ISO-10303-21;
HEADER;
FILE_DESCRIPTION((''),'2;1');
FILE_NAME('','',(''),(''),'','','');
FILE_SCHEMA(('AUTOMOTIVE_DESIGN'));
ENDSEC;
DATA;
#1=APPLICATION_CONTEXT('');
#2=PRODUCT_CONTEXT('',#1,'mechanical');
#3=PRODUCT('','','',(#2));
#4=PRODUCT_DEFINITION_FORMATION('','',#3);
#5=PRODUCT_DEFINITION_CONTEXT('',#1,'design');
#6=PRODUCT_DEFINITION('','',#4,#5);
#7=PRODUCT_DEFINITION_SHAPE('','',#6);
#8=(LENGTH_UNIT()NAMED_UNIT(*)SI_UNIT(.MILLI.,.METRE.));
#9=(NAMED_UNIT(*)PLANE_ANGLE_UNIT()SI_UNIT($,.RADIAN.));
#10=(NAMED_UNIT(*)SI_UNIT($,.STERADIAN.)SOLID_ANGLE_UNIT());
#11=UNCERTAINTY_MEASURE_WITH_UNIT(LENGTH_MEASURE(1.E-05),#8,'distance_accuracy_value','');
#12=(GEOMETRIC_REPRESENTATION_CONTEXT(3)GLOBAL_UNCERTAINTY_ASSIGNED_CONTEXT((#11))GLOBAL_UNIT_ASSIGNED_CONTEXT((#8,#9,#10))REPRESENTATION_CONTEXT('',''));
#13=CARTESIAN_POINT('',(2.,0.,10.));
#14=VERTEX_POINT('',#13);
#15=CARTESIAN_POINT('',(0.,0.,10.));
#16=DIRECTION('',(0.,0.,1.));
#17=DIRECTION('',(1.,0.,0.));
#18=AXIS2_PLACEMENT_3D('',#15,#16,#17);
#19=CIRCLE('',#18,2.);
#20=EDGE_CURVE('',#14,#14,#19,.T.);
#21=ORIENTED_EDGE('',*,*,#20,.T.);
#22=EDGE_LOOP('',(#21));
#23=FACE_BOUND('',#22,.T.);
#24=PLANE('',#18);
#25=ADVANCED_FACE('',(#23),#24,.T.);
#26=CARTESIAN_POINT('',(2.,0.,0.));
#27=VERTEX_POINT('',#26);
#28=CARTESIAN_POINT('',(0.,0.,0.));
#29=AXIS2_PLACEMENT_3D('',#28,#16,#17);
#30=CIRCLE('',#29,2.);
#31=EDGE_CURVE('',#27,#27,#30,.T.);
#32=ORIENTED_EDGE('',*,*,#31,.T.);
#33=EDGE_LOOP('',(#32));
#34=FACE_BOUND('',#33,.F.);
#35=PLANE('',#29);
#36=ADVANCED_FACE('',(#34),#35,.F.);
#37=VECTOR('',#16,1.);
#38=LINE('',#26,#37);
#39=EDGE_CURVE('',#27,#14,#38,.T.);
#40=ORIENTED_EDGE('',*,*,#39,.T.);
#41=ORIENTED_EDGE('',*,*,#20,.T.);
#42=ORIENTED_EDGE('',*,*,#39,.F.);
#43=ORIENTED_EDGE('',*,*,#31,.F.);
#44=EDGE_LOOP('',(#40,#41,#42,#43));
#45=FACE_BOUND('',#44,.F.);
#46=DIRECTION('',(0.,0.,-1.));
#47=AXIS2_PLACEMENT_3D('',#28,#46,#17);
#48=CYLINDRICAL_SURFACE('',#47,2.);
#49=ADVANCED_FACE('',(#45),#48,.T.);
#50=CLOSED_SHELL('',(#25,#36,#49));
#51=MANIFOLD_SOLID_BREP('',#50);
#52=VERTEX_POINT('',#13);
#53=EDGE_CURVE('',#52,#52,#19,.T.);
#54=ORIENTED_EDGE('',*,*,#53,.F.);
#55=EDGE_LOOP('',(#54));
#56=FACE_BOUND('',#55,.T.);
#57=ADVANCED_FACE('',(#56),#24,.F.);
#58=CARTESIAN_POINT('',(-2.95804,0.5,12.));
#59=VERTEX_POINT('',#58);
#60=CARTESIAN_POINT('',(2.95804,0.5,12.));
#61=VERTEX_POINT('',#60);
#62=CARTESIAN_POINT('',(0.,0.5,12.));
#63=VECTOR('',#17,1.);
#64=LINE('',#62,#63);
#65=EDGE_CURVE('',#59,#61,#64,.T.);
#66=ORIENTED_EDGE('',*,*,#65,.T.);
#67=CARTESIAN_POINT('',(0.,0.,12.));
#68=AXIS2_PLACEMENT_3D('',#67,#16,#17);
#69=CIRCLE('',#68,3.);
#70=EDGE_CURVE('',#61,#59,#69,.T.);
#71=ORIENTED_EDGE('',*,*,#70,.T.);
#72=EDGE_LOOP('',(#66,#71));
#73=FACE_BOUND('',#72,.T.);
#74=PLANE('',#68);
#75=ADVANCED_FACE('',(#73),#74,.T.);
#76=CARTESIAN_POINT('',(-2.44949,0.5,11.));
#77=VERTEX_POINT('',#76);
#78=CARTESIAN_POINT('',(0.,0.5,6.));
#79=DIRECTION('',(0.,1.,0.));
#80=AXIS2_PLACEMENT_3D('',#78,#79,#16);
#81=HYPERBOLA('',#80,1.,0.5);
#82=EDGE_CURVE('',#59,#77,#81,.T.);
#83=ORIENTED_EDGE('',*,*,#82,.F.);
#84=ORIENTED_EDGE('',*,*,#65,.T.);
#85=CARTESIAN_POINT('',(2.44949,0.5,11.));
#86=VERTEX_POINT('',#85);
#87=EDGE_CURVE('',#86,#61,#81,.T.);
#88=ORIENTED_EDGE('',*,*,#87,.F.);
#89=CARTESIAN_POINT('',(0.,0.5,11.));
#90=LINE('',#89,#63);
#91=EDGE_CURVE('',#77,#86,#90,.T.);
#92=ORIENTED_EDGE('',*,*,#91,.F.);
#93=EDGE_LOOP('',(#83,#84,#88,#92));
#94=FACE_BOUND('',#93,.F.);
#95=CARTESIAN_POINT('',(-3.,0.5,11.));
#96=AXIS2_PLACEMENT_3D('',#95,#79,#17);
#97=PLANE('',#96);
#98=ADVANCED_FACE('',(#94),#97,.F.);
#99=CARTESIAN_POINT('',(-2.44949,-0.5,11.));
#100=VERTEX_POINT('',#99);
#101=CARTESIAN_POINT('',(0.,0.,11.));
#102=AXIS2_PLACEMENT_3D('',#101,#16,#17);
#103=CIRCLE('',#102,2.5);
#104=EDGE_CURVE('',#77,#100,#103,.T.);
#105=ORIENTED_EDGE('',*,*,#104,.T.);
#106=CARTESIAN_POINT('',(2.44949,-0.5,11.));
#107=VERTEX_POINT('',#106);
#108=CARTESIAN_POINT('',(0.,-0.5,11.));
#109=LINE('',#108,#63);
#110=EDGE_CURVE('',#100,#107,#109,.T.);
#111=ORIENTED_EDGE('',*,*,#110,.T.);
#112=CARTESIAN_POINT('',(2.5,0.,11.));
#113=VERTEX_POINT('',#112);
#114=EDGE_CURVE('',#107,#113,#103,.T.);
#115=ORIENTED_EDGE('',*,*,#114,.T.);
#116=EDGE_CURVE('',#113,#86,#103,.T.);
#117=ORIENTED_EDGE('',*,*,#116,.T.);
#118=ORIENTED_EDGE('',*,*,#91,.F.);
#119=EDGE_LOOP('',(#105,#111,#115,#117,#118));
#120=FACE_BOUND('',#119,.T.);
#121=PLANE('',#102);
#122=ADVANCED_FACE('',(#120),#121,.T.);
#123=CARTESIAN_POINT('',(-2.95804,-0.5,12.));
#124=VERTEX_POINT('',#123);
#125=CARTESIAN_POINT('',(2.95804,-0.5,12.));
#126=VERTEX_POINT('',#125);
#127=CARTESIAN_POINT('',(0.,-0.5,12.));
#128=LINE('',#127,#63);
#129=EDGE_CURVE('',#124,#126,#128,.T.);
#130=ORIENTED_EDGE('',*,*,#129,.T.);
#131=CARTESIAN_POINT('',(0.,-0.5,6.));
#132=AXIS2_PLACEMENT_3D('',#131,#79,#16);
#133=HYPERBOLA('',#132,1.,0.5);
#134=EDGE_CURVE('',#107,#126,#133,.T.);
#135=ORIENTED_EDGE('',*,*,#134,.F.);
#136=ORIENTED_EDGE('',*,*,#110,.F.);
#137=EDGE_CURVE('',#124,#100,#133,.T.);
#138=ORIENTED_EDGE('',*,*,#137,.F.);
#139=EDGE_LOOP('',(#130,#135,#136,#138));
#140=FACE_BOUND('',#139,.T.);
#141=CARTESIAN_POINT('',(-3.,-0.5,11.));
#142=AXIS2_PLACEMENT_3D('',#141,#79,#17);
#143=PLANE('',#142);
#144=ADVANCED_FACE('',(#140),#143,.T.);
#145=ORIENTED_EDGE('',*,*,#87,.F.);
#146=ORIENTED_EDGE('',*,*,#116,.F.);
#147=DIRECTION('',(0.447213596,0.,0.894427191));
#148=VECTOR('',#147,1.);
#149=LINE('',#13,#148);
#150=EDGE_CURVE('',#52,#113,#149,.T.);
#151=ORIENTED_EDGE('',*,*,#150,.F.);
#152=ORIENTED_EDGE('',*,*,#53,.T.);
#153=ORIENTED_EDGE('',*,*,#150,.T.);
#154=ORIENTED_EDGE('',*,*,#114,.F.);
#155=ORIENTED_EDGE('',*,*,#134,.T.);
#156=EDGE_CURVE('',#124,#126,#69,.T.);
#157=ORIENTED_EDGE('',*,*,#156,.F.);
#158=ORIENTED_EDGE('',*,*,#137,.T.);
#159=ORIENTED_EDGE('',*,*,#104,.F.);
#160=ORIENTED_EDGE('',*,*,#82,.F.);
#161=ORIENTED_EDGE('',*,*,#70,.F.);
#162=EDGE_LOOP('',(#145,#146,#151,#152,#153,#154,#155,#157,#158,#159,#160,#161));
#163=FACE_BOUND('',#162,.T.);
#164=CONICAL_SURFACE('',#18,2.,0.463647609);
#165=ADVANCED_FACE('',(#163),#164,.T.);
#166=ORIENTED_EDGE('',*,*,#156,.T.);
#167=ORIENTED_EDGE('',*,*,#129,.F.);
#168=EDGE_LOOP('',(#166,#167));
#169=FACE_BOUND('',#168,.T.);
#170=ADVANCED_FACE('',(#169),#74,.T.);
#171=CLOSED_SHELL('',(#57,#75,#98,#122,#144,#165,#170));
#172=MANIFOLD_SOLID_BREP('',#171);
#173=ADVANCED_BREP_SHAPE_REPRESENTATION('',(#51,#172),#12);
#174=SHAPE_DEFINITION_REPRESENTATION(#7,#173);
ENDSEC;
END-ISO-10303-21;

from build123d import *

# Parameters (mm, degrees)
CYLINDER_R     = 2
CYLINDER_DEPTH = 10
BOX_W          = 6
BOX_H          = 1
BOX_DEPTH      = 1


with BuildPart() as cylinder:
    # Cylinder → Cylinder (new body)
    with BuildSketch(Plane.XY):
        Circle(CYLINDER_R)
    extrude(amount=CYLINDER_DEPTH)


with BuildPart() as cube:
    # Box → Box (new body)
    with BuildSketch(Plane(origin=(-3, -0.5, 11), x_dir=(1, 0, 0), z_dir=(0, 0, 1))):
        with Locations((3, 0.5)):
            Rectangle(BOX_W, BOX_H)
    extrude(amount=BOX_DEPTH)


with BuildPart() as cut:
    # Cone → Cone (revolve)
    with BuildSketch(Plane(origin=(0, 0, 10), x_dir=(1, 0, 0), z_dir=(0, -1, 0))):
        Polygon((0, 0), (2, 0), (3, 2), (0, 2), align=None)
    revolve(axis=Axis((0, 0, 10), (0, 0, 1)))

    # Cut: cut Cube
    add(cube.part, mode=Mode.SUBTRACT)


solid = Compound([cylinder.part, cut.part])
